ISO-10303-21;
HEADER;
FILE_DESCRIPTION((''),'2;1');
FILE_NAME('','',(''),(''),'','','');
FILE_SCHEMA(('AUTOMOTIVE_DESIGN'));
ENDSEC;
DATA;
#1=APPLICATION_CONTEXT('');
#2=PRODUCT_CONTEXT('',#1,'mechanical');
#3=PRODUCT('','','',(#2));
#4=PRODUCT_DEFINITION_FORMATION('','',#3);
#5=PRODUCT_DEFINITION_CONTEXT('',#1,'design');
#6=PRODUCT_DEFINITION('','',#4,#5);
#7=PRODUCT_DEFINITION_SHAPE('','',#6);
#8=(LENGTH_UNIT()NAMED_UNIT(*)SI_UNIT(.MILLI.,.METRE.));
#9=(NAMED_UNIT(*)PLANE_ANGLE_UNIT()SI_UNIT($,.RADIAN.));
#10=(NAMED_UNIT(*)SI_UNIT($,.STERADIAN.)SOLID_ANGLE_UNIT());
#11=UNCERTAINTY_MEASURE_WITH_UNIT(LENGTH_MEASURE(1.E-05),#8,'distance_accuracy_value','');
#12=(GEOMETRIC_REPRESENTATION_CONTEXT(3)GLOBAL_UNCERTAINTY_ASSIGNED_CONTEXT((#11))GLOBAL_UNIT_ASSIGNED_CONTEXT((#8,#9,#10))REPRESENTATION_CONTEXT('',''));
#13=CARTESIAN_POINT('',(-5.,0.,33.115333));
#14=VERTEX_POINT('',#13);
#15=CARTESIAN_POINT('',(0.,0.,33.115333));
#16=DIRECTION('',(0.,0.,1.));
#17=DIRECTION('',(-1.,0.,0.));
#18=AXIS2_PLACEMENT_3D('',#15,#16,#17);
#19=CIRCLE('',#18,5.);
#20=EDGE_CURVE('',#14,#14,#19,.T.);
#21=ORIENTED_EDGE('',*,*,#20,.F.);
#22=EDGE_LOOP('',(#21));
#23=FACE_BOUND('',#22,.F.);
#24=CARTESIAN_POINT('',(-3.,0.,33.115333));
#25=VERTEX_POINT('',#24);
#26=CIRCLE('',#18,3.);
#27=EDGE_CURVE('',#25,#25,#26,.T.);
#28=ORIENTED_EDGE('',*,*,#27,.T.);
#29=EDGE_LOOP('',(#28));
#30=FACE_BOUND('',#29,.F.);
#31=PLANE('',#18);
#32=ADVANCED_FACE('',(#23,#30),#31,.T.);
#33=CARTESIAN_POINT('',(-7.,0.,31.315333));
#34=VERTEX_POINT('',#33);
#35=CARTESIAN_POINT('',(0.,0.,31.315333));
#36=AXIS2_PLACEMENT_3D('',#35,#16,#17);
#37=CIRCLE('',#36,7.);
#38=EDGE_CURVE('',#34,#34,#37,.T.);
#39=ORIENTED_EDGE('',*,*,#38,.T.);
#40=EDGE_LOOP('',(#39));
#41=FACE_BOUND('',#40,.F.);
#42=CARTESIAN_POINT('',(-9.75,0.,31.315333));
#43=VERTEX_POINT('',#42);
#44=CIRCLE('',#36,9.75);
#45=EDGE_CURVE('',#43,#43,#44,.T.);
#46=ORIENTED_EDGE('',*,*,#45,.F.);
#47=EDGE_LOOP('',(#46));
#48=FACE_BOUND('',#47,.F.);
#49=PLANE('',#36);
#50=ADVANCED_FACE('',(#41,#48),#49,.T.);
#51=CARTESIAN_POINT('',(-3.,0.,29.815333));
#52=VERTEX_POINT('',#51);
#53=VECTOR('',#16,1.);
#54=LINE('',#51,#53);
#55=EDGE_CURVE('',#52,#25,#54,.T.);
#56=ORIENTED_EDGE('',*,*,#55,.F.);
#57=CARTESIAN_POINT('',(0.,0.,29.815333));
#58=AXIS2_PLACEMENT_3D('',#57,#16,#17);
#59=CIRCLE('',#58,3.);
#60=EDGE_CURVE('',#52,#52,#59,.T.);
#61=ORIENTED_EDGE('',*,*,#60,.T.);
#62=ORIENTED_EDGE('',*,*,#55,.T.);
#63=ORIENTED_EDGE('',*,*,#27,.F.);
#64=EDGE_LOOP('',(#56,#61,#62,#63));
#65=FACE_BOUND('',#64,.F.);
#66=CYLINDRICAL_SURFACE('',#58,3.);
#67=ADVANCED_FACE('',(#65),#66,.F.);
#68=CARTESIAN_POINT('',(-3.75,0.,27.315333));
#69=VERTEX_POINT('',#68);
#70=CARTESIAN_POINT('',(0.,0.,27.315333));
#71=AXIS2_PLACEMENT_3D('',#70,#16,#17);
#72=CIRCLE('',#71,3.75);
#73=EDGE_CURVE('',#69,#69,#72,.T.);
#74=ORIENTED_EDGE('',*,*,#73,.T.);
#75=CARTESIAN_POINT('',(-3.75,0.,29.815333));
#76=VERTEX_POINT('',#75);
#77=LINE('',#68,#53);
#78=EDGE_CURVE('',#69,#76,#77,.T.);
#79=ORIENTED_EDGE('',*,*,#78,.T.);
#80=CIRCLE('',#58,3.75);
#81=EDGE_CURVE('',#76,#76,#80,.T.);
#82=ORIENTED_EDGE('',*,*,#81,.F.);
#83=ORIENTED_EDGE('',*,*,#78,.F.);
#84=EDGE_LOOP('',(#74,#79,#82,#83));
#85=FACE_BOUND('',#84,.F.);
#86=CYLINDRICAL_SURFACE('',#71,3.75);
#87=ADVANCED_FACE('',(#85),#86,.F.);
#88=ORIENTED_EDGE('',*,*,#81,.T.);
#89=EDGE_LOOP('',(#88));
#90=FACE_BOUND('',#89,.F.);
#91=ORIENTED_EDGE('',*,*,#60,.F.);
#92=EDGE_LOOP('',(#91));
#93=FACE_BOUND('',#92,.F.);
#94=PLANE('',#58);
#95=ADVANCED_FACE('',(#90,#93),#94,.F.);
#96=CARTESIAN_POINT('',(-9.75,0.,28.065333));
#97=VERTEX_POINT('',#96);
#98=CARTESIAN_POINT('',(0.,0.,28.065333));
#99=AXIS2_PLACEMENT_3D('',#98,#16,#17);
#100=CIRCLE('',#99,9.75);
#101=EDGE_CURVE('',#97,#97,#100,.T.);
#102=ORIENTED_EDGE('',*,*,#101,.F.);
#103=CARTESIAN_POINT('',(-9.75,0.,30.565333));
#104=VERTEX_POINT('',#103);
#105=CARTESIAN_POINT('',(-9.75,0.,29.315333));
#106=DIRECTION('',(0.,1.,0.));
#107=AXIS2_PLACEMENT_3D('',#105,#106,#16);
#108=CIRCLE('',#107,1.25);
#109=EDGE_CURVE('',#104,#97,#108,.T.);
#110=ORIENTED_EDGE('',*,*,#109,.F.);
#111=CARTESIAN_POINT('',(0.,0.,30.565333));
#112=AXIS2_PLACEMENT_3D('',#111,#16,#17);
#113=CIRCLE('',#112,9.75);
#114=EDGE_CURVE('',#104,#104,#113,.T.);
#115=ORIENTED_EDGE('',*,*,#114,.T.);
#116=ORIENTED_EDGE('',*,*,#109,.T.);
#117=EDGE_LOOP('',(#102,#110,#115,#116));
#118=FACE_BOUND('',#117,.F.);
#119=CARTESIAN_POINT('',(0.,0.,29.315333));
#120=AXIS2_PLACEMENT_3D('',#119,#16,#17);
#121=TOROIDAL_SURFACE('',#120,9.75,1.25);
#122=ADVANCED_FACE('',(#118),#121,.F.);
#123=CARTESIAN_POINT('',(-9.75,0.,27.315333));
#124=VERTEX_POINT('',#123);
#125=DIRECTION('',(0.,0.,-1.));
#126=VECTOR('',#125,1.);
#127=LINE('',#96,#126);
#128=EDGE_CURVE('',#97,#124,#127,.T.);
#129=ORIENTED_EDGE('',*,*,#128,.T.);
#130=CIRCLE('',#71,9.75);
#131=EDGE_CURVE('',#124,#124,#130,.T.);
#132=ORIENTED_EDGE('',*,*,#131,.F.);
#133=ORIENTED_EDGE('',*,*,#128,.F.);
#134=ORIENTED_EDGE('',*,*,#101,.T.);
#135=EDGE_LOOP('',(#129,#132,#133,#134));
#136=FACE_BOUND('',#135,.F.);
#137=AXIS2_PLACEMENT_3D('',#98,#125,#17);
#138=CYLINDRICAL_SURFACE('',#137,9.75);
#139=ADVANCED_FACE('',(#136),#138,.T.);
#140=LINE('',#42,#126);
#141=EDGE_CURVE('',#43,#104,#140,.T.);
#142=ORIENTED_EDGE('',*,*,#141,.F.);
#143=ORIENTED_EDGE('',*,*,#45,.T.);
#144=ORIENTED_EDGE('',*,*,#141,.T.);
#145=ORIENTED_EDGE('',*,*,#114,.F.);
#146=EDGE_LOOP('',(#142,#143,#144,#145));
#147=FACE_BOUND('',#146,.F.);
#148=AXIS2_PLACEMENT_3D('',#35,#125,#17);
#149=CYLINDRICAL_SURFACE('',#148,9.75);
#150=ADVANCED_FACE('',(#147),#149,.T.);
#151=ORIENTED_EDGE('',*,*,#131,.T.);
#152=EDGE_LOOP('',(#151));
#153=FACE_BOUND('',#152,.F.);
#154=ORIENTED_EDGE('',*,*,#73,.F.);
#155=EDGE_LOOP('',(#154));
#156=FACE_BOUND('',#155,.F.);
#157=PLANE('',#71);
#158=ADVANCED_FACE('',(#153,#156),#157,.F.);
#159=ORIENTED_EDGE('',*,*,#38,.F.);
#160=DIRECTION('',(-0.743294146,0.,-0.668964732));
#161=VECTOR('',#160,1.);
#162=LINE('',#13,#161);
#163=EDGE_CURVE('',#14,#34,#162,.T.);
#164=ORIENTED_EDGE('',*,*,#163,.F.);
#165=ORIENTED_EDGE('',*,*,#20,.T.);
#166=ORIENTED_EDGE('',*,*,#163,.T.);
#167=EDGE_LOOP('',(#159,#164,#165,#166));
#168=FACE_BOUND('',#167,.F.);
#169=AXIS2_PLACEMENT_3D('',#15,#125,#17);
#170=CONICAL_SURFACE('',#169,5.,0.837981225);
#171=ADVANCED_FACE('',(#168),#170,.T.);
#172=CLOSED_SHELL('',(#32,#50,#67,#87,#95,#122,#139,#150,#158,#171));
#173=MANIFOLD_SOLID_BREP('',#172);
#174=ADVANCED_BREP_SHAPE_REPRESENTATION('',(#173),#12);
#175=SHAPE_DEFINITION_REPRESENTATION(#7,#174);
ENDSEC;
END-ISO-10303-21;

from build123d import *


with BuildPart() as f1:
    # F0 (on Front) → F1 (revolve)
    with BuildSketch(Plane.XZ):
        with BuildLine():
            Line((-9.75, 27.315333), (-3.75, 27.315333))
            Line((-3.75, 27.315333), (-3.75, 29.815333))
            Line((-3.75, 29.815333), (-3, 29.815333))
            Line((-3, 29.815333), (-3, 33.115333))
            Line((-3, 33.115333), (-5, 33.115333))
            Line((-5, 33.115333), (-7, 31.315333))
            Line((-7, 31.315333), (-9.75, 31.315333))
            Line((-9.75, 31.315333), (-9.75, 30.565333))
            ThreePointArc((-9.75, 30.565333), (-8.5, 29.315333), (-9.75, 28.065333))
            Line((-9.75, 28.065333), (-9.75, 27.315333))
        make_face()
    revolve(axis=Axis((0, 0, 30.215333), (0, 0, 1)))


solid = f1.part
